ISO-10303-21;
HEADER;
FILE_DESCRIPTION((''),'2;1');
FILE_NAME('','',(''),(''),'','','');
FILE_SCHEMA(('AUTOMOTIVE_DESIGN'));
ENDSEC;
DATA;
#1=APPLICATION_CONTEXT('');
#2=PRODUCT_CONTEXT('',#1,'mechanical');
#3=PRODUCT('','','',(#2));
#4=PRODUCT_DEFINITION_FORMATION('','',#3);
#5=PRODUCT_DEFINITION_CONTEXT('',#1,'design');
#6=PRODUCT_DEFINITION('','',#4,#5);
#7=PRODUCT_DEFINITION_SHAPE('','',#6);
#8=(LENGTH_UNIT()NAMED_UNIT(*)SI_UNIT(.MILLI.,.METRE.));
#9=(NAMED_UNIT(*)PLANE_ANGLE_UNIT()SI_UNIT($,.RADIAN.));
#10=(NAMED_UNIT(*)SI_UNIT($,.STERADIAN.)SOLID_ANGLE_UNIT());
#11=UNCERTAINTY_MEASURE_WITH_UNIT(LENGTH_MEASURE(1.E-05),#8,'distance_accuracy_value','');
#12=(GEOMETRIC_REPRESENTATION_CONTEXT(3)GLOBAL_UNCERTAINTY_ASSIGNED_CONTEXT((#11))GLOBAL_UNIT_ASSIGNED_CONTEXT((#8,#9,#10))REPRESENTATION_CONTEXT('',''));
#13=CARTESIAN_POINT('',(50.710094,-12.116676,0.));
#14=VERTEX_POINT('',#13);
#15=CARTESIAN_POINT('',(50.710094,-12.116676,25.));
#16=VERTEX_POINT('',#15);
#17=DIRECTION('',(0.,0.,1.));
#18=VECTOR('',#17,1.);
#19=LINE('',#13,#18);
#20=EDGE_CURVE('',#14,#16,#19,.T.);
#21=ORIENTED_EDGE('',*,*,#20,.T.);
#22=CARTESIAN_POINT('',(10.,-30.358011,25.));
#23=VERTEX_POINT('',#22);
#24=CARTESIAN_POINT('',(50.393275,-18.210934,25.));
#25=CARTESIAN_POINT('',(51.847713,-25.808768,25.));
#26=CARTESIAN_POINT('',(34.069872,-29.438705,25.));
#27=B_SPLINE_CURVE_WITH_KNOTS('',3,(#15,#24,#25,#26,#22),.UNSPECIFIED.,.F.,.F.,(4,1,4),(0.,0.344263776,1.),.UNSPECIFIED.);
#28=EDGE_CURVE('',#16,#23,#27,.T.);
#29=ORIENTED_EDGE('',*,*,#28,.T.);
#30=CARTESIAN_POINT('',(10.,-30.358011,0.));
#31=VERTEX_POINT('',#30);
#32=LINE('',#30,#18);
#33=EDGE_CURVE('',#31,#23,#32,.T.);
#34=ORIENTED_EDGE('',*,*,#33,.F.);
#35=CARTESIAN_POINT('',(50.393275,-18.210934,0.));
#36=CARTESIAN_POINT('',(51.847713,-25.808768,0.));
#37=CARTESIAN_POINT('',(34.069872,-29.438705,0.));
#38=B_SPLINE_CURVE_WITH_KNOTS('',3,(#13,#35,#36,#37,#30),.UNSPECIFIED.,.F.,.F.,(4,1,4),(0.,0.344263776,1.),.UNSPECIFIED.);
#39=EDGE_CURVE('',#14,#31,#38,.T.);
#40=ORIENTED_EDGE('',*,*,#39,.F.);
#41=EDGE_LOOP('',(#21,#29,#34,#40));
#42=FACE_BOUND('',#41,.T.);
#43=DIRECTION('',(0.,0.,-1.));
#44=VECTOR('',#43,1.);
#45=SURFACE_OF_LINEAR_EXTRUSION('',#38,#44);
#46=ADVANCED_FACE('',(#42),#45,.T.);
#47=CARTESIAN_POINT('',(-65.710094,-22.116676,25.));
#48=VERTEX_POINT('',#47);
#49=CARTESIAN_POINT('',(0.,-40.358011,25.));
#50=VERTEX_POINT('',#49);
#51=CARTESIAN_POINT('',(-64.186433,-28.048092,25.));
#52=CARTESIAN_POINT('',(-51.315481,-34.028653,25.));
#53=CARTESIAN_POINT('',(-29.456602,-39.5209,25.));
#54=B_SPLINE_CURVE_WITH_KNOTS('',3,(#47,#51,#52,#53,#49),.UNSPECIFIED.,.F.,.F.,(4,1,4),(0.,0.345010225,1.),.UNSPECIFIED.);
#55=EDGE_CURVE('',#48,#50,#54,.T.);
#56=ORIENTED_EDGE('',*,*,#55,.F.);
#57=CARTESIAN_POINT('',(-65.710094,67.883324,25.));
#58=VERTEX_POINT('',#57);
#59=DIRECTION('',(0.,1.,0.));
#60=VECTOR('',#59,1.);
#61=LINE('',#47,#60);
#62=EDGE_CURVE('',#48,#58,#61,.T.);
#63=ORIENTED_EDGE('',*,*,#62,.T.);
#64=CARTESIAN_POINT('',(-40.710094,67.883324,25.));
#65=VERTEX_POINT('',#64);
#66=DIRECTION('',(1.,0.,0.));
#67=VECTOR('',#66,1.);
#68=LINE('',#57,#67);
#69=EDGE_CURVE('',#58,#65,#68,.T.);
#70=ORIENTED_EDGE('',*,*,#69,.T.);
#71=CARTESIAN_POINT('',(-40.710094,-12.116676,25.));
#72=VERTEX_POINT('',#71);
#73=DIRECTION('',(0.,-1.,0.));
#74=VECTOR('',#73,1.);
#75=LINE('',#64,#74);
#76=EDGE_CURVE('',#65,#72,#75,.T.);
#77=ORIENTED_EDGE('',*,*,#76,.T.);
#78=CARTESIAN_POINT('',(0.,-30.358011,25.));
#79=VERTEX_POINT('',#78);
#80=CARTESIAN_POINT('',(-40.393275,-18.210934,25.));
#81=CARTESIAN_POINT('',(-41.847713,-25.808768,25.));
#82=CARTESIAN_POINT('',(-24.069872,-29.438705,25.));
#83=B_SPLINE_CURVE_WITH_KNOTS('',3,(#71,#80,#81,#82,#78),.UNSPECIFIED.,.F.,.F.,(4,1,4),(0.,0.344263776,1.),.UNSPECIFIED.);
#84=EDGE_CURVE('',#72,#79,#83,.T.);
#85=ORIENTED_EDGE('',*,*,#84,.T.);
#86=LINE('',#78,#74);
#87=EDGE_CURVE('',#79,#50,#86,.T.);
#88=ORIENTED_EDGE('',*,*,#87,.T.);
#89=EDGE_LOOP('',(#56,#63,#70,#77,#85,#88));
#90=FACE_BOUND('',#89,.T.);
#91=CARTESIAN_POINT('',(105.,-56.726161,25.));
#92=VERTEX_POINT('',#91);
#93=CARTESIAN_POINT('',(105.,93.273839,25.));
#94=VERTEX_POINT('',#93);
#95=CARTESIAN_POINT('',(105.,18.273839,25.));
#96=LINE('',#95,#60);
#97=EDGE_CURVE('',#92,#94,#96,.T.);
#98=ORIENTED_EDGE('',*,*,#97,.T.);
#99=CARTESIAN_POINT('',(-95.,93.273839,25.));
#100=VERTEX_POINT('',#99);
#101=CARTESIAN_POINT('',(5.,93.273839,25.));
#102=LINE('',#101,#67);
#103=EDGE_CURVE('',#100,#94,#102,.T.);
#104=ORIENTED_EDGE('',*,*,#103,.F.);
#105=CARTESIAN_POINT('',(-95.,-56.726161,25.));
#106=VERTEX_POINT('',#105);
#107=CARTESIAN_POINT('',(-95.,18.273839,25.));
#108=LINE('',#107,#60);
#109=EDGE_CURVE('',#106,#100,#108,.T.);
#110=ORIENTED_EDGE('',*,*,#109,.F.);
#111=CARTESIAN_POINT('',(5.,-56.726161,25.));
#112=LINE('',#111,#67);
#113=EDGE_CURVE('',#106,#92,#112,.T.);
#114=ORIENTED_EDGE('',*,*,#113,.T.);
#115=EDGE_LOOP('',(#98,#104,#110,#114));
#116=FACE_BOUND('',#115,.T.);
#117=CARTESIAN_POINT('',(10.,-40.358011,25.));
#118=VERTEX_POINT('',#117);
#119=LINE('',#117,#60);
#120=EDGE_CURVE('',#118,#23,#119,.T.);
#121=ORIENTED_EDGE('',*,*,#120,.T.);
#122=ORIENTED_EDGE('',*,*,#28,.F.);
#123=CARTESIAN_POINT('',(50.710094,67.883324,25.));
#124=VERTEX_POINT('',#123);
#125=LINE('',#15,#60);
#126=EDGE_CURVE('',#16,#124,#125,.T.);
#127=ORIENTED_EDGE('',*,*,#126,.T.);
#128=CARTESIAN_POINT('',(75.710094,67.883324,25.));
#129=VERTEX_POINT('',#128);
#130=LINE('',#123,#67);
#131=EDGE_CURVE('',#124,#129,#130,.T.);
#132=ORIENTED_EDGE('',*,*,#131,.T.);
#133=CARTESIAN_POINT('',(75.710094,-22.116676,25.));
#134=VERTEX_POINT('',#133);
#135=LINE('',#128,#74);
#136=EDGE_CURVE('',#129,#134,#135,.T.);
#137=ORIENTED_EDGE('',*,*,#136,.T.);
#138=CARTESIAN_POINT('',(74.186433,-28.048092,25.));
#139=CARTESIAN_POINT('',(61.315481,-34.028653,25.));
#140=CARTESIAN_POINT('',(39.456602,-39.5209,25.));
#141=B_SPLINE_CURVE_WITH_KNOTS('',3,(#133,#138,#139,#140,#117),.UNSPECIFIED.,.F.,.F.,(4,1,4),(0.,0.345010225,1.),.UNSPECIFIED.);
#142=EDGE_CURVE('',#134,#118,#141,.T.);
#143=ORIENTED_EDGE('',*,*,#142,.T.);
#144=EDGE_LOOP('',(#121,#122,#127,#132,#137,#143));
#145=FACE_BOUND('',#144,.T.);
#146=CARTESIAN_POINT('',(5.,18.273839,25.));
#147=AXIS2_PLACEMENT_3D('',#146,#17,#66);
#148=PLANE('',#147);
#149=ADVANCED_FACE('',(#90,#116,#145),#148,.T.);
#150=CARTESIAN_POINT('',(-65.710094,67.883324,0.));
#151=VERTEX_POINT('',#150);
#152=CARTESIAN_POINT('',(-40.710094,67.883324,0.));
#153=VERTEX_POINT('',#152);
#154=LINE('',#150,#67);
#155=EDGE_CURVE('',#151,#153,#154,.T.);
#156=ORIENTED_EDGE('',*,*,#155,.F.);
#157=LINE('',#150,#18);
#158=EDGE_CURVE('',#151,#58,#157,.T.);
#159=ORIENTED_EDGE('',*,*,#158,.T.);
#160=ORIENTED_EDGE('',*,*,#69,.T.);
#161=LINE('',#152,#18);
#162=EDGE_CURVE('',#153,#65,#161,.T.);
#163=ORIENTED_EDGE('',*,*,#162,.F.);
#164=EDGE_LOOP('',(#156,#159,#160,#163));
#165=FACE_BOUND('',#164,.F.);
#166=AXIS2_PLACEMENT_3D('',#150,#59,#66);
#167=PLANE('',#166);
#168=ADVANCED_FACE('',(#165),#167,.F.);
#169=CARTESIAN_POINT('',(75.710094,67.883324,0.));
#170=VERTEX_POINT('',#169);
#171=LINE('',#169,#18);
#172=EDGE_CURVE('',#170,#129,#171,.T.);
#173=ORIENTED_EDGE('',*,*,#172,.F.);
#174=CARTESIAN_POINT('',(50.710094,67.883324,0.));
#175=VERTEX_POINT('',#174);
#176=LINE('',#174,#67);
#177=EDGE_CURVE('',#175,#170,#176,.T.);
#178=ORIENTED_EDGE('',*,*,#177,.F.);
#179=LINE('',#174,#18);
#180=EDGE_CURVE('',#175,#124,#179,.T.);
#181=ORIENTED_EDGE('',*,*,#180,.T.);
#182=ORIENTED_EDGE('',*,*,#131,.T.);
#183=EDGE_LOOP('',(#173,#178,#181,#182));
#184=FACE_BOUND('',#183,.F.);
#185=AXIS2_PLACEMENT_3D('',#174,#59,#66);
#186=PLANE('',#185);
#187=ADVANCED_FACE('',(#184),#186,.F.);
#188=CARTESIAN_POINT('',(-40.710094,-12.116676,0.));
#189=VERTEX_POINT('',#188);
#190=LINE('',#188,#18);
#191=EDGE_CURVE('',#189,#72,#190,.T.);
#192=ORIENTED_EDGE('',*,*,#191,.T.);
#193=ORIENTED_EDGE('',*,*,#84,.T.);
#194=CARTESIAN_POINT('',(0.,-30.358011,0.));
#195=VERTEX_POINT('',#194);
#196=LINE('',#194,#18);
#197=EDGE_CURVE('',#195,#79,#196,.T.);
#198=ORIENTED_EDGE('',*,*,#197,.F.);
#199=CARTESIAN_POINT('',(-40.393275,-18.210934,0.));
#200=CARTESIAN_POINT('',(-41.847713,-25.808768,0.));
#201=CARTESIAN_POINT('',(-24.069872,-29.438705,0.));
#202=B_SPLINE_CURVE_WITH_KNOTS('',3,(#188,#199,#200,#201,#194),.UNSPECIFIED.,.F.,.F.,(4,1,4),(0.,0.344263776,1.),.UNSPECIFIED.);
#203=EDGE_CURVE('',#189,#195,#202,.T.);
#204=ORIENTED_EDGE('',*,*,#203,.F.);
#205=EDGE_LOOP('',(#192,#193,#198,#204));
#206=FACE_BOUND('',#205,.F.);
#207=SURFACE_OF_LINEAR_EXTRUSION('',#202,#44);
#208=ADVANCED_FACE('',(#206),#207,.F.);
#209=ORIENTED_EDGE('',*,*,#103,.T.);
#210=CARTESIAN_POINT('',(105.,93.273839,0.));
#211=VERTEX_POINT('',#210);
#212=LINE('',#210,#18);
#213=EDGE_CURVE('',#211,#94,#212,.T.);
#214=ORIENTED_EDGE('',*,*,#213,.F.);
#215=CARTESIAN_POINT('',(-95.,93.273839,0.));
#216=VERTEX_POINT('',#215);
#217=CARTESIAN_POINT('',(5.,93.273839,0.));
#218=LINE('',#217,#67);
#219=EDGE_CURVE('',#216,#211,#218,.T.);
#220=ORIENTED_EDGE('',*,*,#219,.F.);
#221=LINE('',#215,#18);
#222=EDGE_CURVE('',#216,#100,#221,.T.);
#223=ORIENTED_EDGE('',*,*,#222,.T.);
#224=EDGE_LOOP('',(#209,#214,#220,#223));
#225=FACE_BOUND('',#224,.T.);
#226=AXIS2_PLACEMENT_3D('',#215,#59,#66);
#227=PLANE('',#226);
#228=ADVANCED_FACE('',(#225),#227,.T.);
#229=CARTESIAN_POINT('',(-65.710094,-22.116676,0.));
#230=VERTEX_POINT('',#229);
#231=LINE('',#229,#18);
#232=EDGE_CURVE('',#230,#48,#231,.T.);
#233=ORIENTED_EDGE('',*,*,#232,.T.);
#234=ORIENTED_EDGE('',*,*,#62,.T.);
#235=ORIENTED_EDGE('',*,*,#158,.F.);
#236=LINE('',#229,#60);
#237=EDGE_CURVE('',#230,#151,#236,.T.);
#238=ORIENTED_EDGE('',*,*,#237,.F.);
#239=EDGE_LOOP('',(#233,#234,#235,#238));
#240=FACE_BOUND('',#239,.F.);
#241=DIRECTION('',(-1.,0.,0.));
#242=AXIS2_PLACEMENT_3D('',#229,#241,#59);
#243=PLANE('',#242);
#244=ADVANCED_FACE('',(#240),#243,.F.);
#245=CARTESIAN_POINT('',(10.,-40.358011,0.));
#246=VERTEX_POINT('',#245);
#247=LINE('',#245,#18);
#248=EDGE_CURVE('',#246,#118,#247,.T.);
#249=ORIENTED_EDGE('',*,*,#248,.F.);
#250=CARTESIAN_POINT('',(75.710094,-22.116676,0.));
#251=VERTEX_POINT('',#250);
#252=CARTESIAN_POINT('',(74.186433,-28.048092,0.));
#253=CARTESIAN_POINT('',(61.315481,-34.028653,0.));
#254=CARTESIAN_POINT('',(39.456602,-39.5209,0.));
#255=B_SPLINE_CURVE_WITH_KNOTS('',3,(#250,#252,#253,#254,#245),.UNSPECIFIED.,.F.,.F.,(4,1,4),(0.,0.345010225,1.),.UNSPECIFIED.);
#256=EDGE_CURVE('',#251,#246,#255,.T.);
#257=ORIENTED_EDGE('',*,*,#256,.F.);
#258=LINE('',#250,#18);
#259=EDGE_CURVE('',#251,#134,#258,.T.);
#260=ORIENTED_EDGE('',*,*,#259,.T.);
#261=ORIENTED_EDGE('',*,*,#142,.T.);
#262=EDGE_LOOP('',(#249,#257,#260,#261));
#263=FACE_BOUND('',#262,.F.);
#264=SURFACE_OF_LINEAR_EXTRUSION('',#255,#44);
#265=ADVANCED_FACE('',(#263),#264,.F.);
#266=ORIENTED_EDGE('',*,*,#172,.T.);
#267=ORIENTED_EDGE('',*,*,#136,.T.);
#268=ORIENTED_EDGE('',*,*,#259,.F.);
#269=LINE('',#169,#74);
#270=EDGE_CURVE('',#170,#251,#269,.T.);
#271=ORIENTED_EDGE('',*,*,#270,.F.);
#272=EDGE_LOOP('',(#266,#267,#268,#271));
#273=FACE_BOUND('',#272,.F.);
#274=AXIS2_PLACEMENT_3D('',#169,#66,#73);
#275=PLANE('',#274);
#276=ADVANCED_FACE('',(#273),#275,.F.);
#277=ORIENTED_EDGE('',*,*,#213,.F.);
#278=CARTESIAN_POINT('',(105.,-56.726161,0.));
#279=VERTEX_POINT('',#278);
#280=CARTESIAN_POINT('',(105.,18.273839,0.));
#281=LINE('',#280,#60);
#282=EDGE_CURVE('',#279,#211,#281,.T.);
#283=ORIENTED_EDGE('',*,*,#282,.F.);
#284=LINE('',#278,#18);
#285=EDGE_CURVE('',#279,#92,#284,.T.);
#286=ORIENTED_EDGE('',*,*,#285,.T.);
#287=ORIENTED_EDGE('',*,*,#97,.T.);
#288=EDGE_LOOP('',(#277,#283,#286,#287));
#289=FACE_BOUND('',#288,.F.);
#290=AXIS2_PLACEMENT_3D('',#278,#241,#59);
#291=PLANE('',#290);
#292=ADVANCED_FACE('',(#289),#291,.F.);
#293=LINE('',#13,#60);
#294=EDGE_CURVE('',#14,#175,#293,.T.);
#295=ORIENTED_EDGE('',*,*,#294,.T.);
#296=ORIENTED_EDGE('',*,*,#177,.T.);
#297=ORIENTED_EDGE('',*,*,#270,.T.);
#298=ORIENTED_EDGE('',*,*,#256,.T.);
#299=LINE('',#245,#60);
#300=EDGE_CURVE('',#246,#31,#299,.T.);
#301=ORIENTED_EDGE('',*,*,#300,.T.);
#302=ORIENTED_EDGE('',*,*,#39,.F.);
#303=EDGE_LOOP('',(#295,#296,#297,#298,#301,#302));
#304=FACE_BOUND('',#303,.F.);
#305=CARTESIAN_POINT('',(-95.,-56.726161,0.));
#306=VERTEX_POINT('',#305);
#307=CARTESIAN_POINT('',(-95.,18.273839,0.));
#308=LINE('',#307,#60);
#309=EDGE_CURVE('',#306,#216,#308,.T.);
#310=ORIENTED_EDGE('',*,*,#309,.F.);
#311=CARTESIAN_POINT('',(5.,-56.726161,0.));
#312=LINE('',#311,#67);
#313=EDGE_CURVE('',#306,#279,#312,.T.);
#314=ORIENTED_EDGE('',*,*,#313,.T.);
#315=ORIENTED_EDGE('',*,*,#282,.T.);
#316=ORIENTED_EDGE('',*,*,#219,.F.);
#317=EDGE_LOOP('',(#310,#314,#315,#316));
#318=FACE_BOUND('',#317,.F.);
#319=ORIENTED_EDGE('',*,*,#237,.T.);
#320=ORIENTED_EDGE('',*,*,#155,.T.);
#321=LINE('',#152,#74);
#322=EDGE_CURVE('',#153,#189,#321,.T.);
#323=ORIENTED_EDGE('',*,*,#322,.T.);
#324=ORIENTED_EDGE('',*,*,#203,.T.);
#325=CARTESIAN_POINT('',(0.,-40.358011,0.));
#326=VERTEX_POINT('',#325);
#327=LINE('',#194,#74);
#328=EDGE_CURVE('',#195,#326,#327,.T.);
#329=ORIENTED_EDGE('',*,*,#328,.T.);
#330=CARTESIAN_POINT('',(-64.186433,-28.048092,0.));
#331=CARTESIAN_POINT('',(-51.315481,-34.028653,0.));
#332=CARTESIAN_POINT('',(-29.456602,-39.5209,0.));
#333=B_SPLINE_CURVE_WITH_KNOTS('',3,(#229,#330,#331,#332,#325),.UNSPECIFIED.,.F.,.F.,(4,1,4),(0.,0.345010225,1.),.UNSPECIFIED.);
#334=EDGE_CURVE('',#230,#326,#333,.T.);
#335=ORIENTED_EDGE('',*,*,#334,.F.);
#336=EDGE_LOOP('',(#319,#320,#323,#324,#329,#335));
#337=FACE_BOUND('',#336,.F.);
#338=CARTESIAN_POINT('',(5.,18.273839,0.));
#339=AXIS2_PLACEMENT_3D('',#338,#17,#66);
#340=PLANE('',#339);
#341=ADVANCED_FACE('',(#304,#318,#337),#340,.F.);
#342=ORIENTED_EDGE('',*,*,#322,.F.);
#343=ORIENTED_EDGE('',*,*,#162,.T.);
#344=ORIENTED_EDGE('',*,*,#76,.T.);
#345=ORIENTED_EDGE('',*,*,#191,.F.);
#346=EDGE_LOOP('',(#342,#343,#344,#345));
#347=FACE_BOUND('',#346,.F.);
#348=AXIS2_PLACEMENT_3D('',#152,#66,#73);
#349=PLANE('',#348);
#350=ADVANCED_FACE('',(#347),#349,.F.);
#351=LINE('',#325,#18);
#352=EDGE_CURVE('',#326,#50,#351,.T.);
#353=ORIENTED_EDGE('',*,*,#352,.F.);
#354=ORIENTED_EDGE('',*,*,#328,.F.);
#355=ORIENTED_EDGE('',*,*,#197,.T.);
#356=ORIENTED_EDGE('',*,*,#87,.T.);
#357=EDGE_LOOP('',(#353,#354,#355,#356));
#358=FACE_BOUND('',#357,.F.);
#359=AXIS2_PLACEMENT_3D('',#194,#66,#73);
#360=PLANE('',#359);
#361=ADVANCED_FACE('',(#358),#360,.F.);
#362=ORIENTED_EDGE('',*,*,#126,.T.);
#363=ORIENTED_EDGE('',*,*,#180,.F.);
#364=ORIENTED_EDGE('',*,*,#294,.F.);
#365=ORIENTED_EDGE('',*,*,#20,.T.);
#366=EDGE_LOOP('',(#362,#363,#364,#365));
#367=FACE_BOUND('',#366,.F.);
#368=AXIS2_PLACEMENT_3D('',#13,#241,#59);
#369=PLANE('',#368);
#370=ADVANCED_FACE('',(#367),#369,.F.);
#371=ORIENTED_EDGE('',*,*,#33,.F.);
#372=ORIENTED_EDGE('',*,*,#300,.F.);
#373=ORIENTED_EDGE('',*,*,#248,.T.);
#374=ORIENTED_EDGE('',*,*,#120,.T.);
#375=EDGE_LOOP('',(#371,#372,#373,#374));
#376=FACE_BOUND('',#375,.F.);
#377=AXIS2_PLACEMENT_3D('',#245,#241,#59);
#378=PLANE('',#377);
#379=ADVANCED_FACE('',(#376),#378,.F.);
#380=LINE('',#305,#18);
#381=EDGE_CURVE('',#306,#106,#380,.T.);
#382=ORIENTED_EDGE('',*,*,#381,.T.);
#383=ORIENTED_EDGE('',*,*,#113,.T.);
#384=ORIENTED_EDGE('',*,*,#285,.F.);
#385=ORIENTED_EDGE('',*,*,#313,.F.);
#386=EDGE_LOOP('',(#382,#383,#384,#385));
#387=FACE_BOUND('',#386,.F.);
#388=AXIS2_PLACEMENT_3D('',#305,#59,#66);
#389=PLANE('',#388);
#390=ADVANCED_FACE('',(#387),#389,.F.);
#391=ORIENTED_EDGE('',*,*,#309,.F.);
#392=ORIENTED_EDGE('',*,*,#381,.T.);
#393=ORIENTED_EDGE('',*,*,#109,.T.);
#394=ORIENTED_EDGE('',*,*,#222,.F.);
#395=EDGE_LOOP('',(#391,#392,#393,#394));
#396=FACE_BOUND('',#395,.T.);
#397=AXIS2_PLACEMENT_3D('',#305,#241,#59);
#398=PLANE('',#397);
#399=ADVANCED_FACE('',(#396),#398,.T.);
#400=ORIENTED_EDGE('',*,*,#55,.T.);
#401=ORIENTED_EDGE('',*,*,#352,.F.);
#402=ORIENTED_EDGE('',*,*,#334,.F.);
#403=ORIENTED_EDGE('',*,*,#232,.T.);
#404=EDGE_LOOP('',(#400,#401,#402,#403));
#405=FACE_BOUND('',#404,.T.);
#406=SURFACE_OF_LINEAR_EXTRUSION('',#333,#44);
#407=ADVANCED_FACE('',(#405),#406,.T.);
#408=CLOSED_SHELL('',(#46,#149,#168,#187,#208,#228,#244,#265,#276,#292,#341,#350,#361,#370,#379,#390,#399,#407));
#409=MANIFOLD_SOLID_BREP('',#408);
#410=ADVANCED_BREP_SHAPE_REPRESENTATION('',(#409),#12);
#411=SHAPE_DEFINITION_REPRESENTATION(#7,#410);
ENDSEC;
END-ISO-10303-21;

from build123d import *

# Parameters (mm, degrees)
F0_W     = 200
F0_H     = 150
F1_DEPTH = 25


with BuildPart() as f1:
    # F0 (on Top) → F1 (new body)
    with BuildSketch(Plane.XY):
        with Locations((5, 18.2738386095)):
            Rectangle(F0_W, F0_H)
        with BuildLine():
            Line((-65.7100941103, 67.8833236819), (-40.7100941103, 67.8833236819))
            Line((-40.7100941103, 67.8833236819), (-40.7100941103, -12.1166763181))
            add(Edge.make_bspline(
                [(-40.7100941103, -12.1166763181), (-40.3932750045, -18.210933602), (-41.8477127966, -25.808767918), (-24.0698720189, -29.4387048073), (0, -30.3580106795)],
                knots=[0, 0, 0, 0, 0.3442637758, 1, 1, 1, 1], degree=3))
            Line((0, -30.3580106795), (0, -40.3580106795))
            add(Edge.make_bspline(
                [(-65.7100941103, -22.1166763181), (-64.186432869, -28.0480915883), (-51.3154811853, -34.028653192), (-29.45660202, -39.5209002953), (0, -40.3580106795)],
                knots=[0, 0, 0, 0, 0.3450102249, 1, 1, 1, 1], degree=3))
            Line((-65.7100941103, -22.1166763181), (-65.7100941103, 67.8833236819))
        make_face(mode=Mode.SUBTRACT)
        with BuildLine():
            Line((75.7100941103, 67.8833236819), (75.7100941103, -22.1166763181))
            add(Edge.make_bspline(
                [(75.7100941103, -22.1166763181), (74.186432869, -28.0480915883), (61.3154811853, -34.028653192), (39.45660202, -39.5209002953), (10, -40.3580106795)],
                knots=[0, 0, 0, 0, 0.3450102249, 1, 1, 1, 1], degree=3))
            Line((10, -40.3580106795), (10, -30.3580106795))
            add(Edge.make_bspline(
                [(50.7100941103, -12.1166763181), (50.3932750045, -18.210933602), (51.8477127966, -25.808767918), (34.0698720189, -29.4387048073), (10, -30.3580106795)],
                knots=[0, 0, 0, 0, 0.3442637758, 1, 1, 1, 1], degree=3))
            Line((50.7100941103, -12.1166763181), (50.7100941103, 67.8833236819))
            Line((50.7100941103, 67.8833236819), (75.7100941103, 67.8833236819))
        make_face(mode=Mode.SUBTRACT)
    extrude(amount=F1_DEPTH)


solid = f1.part
